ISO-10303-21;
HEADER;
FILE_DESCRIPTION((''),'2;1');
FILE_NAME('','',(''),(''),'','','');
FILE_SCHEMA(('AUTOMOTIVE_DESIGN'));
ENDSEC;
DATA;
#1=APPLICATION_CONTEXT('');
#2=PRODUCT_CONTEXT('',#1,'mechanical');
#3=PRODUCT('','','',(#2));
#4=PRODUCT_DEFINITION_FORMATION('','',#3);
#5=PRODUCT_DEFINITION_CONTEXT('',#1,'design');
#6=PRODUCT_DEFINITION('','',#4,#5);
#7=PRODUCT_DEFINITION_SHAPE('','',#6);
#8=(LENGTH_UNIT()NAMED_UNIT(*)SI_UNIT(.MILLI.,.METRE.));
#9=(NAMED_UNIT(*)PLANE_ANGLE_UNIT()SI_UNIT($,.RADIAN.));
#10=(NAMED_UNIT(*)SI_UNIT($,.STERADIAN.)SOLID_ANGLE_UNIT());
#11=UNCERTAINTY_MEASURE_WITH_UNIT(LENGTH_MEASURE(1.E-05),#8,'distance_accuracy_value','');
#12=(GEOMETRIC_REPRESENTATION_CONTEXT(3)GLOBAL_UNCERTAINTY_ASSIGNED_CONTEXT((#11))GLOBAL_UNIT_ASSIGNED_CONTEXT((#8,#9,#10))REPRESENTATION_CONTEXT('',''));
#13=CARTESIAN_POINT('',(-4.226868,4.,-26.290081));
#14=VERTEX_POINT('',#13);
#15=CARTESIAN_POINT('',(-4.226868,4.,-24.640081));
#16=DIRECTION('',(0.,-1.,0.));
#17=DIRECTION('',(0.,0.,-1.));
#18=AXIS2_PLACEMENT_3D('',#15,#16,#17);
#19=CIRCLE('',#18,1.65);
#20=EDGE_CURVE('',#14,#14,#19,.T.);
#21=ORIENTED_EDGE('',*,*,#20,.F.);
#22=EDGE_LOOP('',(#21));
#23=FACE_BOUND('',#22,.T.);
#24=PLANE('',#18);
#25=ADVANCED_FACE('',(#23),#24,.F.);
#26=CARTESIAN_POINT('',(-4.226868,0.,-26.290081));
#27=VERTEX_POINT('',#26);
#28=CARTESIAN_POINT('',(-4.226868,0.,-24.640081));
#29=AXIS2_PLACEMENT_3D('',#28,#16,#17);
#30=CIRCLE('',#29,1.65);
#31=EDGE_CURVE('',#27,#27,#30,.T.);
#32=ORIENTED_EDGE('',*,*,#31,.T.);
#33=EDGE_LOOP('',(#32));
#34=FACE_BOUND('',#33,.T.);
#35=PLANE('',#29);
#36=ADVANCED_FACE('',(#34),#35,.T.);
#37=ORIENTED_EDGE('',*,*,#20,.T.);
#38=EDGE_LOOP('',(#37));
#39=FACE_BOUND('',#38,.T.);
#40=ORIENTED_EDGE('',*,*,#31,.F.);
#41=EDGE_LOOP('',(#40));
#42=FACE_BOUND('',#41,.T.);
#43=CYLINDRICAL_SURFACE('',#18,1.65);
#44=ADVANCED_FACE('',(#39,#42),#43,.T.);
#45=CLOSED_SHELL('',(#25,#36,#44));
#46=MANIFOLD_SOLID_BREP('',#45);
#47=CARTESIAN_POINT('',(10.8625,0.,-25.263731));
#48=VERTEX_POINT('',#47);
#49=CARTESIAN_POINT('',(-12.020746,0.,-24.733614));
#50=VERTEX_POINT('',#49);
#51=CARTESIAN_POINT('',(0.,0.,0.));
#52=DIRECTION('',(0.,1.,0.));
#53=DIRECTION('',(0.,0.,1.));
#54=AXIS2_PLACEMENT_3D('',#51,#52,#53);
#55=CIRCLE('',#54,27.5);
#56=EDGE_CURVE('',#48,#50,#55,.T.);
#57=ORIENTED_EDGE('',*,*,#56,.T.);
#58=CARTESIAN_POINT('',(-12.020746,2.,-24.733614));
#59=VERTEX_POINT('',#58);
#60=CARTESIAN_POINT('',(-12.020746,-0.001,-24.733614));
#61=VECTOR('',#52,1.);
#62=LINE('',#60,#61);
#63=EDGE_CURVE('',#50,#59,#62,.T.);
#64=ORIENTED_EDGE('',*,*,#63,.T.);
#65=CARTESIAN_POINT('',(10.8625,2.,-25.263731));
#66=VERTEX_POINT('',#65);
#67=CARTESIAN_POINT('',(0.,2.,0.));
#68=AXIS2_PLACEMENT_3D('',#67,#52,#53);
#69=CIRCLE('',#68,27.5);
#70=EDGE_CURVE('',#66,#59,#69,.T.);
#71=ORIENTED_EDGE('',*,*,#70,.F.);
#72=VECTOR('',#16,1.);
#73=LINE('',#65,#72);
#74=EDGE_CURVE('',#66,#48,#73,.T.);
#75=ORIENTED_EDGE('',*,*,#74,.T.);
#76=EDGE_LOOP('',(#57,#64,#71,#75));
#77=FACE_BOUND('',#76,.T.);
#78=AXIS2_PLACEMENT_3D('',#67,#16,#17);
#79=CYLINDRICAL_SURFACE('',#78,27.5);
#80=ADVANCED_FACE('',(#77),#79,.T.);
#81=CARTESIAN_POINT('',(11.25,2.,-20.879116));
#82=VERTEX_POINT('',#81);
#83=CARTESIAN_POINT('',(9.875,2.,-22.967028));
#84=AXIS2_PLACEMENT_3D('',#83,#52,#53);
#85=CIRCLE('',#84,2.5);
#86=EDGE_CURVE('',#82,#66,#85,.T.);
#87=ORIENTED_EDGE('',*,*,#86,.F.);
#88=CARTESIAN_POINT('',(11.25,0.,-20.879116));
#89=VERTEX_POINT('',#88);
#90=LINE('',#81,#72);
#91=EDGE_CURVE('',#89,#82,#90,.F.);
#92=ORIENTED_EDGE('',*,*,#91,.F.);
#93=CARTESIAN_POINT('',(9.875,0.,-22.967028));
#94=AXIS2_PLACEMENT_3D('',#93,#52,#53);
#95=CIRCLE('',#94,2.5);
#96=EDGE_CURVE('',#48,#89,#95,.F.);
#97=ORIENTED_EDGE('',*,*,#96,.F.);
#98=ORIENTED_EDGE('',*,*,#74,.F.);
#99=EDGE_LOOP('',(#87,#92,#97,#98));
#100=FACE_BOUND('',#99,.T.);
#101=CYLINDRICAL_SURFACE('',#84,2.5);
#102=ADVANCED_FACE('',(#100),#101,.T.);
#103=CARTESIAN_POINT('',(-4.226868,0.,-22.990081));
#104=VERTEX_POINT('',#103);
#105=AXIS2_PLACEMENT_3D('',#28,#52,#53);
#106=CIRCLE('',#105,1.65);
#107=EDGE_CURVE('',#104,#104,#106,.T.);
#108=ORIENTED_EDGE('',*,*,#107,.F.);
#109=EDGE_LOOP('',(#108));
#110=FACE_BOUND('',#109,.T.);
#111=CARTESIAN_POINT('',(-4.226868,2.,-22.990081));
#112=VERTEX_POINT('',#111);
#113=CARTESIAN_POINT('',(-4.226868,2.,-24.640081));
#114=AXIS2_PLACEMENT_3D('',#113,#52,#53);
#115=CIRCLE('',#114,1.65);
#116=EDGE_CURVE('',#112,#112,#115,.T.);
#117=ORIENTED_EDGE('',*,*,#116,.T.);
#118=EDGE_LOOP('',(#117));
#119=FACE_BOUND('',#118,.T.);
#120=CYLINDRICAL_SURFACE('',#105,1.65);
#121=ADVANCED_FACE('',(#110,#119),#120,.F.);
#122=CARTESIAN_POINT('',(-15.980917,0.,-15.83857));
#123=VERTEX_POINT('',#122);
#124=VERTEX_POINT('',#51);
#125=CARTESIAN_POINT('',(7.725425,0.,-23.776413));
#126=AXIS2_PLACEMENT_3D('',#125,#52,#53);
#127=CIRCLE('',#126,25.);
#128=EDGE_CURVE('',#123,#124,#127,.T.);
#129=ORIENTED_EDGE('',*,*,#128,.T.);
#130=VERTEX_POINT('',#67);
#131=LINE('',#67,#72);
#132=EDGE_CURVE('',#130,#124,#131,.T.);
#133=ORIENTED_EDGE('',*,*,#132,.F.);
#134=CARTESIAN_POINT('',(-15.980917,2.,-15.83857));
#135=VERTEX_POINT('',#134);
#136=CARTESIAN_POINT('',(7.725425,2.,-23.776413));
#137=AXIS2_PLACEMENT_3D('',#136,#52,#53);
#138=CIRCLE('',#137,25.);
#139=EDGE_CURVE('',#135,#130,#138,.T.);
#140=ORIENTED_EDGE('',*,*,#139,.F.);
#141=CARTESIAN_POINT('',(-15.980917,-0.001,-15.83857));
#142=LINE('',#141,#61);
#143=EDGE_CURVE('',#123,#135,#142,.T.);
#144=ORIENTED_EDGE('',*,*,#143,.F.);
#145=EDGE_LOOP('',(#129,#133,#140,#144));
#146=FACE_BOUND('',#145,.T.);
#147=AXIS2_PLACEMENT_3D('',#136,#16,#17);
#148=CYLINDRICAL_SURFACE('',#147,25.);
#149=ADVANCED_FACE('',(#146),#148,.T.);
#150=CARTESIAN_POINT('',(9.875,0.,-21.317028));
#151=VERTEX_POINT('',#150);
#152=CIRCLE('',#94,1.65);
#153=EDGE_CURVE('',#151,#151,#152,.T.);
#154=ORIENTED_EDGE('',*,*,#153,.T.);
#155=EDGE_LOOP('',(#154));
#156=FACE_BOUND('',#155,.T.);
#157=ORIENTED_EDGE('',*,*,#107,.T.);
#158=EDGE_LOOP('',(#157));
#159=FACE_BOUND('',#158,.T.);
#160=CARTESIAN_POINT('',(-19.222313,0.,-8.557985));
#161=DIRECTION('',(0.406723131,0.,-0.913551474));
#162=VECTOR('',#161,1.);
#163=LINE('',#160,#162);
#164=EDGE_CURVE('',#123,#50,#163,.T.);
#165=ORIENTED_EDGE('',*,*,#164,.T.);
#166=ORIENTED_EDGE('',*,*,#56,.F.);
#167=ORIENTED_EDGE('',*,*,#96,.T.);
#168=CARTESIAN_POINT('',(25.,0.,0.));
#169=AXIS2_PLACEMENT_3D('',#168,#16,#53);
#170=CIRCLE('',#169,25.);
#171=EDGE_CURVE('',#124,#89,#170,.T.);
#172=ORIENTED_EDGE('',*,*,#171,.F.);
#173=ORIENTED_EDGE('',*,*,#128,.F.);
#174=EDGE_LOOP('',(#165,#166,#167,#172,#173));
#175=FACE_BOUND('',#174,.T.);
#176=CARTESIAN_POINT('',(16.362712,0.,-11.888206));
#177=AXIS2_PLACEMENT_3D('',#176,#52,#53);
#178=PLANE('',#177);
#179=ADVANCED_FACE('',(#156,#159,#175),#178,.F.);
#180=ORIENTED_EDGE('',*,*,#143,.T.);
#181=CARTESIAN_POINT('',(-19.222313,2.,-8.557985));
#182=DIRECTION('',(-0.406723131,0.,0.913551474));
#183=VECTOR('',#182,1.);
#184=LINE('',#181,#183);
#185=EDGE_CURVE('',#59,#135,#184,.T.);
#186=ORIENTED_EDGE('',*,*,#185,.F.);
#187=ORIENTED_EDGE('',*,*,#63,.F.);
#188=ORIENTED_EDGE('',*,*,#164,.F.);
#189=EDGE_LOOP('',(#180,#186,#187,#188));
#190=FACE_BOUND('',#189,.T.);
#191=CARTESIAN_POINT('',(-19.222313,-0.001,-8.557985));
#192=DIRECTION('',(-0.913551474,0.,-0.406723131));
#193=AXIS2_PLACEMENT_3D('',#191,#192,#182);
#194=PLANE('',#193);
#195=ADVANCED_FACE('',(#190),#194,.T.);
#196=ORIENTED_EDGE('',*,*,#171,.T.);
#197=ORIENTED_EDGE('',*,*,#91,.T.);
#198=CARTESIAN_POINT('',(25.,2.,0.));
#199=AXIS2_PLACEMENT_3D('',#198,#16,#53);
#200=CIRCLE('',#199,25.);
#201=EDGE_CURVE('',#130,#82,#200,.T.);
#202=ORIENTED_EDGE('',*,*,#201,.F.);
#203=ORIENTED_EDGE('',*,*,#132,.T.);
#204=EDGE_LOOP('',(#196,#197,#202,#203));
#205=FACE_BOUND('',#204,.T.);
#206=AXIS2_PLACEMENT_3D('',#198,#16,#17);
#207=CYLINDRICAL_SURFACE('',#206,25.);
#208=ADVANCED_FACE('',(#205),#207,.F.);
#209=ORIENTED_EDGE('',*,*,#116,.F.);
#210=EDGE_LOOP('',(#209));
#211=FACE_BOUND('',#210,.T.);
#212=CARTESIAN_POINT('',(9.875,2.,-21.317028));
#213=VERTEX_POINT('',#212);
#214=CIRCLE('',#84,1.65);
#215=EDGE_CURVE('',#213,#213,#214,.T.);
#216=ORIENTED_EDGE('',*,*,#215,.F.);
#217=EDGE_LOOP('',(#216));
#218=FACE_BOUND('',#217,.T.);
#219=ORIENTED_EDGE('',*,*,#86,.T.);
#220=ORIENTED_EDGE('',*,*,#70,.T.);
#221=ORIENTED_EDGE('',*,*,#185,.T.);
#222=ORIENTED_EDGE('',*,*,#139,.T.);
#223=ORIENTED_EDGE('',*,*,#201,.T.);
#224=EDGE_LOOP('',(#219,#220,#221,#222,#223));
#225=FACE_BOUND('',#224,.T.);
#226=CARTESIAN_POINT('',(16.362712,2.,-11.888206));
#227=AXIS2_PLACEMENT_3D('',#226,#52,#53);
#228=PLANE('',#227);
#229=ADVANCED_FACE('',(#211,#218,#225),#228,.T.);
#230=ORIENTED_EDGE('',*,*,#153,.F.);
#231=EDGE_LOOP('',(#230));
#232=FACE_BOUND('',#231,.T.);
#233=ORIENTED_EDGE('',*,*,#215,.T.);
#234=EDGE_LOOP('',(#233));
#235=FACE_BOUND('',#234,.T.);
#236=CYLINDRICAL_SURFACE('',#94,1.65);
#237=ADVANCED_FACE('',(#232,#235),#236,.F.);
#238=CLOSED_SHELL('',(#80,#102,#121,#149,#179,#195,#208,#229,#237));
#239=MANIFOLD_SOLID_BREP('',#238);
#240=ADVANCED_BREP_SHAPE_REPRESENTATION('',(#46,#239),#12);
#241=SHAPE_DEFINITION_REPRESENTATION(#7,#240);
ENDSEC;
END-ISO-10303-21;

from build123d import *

# Parameters (mm, degrees)
BOSS_EXTRUDE1_DEPTH = 2
FILLET1_R           = 2.5
SKETCH2_R           = 1.65
CUT_EXTRUDE1_DEPTH  = 2
CUT_EXTRUDE2_REACH  = 34.399
SKETCH6_R           = 1.65
BOSS_EXTRUDE2_DEPTH = 4


with BuildPart() as part:
    # Sketch1 → Boss-Extrude1 (new body)
    with BuildSketch(Plane(origin=(0, 0, 0), x_dir=(1, 0, 0), z_dir=(0, 1, 0))):
        with BuildLine():
            ThreePointArc((15.125, 22.967027997), (-1.263298306, 27.470967901), (-17.169059596, 21.48193177))
            ThreePointArc((-17.169059596, 21.48193177), (-11.803604023, 8.168176911), (0, 0))
            ThreePointArc((0, 0), (4.120883639, 13.75), (15.125, 22.967027997))
        make_face()
    extrude(amount=BOSS_EXTRUDE1_DEPTH)

    # Fillet1
    fillet1_edges = [part.edges().sort_by_distance(p)[0] for p in [
        (-17.169059596, 1, -21.48193177),
        (15.125, 1, -22.967027997),
    ]]
    fillet(fillet1_edges, radius=FILLET1_R)

    # Sketch2 → Cut-Extrude1 (cut)
    with BuildSketch(Plane(origin=(0, 2, 0), x_dir=(1, 0, 0), z_dir=(0, 1, 0))):
        with Locations(Location((-4.226868107, 24.640080885, 0), (0, 0, 270))):
            Circle(SKETCH2_R)
        with Locations(Location((9.875, 22.967027997, 0), (0, 0, 270))):
            Circle(SKETCH2_R)
    extrude(amount=-CUT_EXTRUDE1_DEPTH, mode=Mode.SUBTRACT)

    # Sketch3 → Cut-Extrude2 (cut, up to next)
    with BuildSketch(Plane(origin=(0, 2, 0), x_dir=(1, 0, 0), z_dir=(0, 1, 0)), mode=Mode.PRIVATE) as cut_extrude2_sk1:
        with BuildLine():
            Line((-15.980917027, 15.838569726), (-12.020745702, 24.733614228))
            ThreePointArc((-12.020745702, 24.733614228), (-14.04148027, 23.645017061), (-15.964394934, 22.391696997))
            ThreePointArc((-15.964394934, 22.391696997), (-16.816313344, 21.328273965), (-16.984031989, 19.976052098))
            ThreePointArc((-16.984031989, 19.976052098), (-16.570708205, 17.885919028), (-15.980917027, 15.838569726))
        make_face()
    cut_extrude2_tool1 = extrude(cut_extrude2_sk1.sketch, amount=-CUT_EXTRUDE2_REACH, mode=Mode.PRIVATE) & part.part
    add(cut_extrude2_tool1.solids().sort_by_distance((-15.061244, 2, -20.693622))[0], mode=Mode.SUBTRACT)


with BuildPart() as body_2:
    # Sketch6 → Boss-Extrude2 (new body)
    with BuildSketch(Plane.XZ):
        with Locations(Location((-4.226868107, -24.640080885, 0), (0, 0, 270))):
            Circle(SKETCH6_R)
    extrude(amount=-BOSS_EXTRUDE2_DEPTH)


solid = Compound([part.part, body_2.part])
